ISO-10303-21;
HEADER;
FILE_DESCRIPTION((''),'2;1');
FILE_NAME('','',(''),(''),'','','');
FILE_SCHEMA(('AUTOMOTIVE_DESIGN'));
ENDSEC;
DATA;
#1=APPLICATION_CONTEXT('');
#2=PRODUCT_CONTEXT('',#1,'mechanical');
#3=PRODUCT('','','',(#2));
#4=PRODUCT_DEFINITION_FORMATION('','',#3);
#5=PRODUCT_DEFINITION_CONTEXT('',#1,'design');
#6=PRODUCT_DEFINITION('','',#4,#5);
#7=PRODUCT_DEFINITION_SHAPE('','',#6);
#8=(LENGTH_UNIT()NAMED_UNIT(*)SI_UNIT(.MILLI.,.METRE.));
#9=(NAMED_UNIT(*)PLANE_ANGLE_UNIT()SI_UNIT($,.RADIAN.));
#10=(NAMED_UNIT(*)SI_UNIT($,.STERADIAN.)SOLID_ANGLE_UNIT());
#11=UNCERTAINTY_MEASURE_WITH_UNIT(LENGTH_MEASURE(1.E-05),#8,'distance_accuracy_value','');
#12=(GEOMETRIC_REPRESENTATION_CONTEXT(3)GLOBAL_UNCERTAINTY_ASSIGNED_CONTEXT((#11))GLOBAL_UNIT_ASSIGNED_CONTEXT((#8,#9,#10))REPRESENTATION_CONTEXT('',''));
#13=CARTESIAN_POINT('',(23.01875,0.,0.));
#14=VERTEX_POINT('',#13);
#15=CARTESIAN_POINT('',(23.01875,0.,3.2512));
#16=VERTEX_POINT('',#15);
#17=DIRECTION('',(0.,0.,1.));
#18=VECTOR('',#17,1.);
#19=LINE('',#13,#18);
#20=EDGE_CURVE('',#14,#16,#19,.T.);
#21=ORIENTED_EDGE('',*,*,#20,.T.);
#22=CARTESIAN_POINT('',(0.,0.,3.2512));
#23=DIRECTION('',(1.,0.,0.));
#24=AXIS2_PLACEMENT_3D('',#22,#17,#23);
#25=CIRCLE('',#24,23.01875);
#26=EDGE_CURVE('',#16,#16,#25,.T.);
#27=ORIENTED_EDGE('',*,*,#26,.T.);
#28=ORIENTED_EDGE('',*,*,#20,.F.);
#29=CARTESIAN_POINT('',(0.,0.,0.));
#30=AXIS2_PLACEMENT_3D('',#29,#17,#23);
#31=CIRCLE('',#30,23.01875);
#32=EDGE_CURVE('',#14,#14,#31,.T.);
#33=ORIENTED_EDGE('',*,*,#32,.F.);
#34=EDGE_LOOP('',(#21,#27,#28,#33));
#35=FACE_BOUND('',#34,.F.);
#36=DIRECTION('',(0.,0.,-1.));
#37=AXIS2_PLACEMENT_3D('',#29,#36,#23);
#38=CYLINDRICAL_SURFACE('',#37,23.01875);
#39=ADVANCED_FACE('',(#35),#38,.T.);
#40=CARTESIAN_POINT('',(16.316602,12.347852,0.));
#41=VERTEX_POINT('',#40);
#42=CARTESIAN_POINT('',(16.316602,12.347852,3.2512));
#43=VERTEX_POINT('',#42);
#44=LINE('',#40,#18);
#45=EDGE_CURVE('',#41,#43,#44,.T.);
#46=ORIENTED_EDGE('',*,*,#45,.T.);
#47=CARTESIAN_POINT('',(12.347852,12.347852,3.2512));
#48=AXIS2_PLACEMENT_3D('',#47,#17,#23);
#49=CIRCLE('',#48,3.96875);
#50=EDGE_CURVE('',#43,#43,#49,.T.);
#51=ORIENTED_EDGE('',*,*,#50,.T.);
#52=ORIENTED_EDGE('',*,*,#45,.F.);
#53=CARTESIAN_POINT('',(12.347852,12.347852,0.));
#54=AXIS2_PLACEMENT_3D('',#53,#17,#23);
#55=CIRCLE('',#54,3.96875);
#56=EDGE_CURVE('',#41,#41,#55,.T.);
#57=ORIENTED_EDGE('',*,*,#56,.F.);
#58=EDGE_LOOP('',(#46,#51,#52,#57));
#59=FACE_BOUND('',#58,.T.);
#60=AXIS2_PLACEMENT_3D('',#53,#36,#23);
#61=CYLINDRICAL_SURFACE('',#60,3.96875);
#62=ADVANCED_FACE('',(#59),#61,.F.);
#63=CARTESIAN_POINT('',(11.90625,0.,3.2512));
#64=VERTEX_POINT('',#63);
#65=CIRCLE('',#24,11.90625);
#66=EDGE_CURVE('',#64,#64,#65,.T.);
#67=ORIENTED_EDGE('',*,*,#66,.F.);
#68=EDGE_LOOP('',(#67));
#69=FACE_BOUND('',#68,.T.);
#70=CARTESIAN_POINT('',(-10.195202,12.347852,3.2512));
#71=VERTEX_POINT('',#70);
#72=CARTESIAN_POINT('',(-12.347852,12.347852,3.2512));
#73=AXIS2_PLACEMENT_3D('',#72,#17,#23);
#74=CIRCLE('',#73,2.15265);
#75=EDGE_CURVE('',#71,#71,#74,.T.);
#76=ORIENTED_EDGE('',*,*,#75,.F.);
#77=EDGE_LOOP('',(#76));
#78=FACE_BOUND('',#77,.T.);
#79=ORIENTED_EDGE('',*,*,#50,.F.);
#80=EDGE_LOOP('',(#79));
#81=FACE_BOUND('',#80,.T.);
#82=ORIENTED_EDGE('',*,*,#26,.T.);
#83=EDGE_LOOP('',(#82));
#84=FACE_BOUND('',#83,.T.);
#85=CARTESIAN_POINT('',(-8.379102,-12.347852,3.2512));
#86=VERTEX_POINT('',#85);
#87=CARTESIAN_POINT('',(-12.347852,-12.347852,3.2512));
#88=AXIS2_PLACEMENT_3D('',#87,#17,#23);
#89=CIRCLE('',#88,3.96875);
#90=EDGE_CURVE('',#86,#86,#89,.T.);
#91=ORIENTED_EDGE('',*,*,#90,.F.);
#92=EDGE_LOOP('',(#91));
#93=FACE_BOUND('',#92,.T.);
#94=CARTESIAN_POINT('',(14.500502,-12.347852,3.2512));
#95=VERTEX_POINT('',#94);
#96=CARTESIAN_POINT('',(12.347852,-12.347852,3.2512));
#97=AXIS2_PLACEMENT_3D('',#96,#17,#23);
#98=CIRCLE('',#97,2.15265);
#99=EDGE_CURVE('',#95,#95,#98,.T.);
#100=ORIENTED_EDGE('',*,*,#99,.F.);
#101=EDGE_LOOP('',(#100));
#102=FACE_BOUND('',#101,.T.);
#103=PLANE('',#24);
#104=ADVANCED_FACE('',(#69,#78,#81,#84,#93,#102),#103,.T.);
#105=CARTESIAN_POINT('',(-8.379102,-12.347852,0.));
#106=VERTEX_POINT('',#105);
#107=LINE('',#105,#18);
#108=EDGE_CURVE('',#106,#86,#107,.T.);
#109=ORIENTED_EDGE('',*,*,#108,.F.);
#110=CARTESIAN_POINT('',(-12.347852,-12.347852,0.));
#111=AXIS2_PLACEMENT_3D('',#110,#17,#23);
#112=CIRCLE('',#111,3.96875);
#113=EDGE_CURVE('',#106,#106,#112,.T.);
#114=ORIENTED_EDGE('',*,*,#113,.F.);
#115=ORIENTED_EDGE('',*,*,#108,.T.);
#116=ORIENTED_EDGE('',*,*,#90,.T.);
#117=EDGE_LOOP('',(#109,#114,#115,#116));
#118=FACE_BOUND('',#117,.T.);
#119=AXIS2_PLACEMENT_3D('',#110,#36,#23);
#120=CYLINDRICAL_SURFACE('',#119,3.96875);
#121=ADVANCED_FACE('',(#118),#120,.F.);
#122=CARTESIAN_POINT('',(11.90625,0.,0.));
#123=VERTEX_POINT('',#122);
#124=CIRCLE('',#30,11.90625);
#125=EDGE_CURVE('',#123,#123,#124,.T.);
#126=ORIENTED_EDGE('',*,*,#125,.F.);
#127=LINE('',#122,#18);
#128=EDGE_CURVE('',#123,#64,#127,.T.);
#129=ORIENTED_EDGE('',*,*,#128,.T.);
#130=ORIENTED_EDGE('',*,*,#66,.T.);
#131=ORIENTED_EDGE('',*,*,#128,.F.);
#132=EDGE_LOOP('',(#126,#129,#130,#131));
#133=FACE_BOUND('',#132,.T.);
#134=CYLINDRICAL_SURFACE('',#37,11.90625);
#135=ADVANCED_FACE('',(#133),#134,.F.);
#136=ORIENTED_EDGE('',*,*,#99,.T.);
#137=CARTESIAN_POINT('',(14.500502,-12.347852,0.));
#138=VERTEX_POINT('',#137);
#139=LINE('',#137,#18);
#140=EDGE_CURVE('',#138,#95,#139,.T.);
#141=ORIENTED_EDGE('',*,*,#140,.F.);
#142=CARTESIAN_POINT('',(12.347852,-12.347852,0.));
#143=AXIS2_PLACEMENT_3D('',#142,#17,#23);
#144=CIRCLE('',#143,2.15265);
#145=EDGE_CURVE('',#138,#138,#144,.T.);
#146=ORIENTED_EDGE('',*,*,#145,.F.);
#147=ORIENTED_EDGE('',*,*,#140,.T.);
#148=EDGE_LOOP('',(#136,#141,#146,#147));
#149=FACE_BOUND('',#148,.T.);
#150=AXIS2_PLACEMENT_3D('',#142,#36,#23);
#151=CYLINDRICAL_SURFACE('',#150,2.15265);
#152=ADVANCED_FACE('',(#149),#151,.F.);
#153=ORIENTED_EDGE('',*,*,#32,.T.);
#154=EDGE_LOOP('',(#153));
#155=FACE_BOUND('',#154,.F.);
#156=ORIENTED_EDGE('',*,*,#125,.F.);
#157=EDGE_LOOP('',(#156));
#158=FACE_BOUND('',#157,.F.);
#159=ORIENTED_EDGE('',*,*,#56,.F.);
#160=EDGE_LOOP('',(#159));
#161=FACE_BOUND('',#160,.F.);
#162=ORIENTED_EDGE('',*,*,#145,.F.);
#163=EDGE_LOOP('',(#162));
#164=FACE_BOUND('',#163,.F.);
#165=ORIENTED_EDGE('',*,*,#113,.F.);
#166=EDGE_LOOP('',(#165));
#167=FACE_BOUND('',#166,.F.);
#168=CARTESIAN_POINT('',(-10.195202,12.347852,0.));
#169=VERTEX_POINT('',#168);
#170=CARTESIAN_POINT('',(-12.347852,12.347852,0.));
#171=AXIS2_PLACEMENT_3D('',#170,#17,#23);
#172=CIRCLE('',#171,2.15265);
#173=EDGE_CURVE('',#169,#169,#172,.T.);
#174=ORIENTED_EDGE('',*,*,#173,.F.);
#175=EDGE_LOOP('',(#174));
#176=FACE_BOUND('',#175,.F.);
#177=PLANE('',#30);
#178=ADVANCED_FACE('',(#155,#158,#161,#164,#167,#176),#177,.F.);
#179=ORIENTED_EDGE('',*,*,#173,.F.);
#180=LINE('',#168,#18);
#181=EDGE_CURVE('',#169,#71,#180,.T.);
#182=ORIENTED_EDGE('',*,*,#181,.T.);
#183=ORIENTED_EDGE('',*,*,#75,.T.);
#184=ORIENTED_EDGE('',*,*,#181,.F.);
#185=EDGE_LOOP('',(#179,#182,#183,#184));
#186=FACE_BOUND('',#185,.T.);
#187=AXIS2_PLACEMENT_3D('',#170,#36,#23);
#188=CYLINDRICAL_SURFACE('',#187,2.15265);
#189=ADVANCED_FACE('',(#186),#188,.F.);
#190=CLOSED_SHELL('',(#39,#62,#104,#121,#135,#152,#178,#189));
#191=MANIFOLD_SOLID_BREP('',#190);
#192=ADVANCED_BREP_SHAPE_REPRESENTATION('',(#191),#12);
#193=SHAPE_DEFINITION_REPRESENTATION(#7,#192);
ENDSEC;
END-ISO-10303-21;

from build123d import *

# Parameters (mm, degrees)
F0_R     = 23.01875
F0_R_2   = 3.96875
F0_R_3   = 2.15265
F0_R_4   = 11.90625
F1_DEPTH = 3.2512


with BuildPart() as f1:
    # F0 (on Top) → F1 (new body)
    with BuildSketch(Plane.XY):
        Circle(F0_R)
        with Locations((-12.347852, -12.347852)):
            Circle(F0_R_2, mode=Mode.SUBTRACT)
        with Locations((12.347852, -12.347852)):
            Circle(F0_R_3, mode=Mode.SUBTRACT)
        with Locations((-12.347852, 12.347852)):
            Circle(F0_R_3, mode=Mode.SUBTRACT)
        Circle(F0_R_4, mode=Mode.SUBTRACT)
        with Locations((12.347852, 12.347852)):
            Circle(F0_R_2, mode=Mode.SUBTRACT)
    extrude(amount=F1_DEPTH)


solid = f1.part
